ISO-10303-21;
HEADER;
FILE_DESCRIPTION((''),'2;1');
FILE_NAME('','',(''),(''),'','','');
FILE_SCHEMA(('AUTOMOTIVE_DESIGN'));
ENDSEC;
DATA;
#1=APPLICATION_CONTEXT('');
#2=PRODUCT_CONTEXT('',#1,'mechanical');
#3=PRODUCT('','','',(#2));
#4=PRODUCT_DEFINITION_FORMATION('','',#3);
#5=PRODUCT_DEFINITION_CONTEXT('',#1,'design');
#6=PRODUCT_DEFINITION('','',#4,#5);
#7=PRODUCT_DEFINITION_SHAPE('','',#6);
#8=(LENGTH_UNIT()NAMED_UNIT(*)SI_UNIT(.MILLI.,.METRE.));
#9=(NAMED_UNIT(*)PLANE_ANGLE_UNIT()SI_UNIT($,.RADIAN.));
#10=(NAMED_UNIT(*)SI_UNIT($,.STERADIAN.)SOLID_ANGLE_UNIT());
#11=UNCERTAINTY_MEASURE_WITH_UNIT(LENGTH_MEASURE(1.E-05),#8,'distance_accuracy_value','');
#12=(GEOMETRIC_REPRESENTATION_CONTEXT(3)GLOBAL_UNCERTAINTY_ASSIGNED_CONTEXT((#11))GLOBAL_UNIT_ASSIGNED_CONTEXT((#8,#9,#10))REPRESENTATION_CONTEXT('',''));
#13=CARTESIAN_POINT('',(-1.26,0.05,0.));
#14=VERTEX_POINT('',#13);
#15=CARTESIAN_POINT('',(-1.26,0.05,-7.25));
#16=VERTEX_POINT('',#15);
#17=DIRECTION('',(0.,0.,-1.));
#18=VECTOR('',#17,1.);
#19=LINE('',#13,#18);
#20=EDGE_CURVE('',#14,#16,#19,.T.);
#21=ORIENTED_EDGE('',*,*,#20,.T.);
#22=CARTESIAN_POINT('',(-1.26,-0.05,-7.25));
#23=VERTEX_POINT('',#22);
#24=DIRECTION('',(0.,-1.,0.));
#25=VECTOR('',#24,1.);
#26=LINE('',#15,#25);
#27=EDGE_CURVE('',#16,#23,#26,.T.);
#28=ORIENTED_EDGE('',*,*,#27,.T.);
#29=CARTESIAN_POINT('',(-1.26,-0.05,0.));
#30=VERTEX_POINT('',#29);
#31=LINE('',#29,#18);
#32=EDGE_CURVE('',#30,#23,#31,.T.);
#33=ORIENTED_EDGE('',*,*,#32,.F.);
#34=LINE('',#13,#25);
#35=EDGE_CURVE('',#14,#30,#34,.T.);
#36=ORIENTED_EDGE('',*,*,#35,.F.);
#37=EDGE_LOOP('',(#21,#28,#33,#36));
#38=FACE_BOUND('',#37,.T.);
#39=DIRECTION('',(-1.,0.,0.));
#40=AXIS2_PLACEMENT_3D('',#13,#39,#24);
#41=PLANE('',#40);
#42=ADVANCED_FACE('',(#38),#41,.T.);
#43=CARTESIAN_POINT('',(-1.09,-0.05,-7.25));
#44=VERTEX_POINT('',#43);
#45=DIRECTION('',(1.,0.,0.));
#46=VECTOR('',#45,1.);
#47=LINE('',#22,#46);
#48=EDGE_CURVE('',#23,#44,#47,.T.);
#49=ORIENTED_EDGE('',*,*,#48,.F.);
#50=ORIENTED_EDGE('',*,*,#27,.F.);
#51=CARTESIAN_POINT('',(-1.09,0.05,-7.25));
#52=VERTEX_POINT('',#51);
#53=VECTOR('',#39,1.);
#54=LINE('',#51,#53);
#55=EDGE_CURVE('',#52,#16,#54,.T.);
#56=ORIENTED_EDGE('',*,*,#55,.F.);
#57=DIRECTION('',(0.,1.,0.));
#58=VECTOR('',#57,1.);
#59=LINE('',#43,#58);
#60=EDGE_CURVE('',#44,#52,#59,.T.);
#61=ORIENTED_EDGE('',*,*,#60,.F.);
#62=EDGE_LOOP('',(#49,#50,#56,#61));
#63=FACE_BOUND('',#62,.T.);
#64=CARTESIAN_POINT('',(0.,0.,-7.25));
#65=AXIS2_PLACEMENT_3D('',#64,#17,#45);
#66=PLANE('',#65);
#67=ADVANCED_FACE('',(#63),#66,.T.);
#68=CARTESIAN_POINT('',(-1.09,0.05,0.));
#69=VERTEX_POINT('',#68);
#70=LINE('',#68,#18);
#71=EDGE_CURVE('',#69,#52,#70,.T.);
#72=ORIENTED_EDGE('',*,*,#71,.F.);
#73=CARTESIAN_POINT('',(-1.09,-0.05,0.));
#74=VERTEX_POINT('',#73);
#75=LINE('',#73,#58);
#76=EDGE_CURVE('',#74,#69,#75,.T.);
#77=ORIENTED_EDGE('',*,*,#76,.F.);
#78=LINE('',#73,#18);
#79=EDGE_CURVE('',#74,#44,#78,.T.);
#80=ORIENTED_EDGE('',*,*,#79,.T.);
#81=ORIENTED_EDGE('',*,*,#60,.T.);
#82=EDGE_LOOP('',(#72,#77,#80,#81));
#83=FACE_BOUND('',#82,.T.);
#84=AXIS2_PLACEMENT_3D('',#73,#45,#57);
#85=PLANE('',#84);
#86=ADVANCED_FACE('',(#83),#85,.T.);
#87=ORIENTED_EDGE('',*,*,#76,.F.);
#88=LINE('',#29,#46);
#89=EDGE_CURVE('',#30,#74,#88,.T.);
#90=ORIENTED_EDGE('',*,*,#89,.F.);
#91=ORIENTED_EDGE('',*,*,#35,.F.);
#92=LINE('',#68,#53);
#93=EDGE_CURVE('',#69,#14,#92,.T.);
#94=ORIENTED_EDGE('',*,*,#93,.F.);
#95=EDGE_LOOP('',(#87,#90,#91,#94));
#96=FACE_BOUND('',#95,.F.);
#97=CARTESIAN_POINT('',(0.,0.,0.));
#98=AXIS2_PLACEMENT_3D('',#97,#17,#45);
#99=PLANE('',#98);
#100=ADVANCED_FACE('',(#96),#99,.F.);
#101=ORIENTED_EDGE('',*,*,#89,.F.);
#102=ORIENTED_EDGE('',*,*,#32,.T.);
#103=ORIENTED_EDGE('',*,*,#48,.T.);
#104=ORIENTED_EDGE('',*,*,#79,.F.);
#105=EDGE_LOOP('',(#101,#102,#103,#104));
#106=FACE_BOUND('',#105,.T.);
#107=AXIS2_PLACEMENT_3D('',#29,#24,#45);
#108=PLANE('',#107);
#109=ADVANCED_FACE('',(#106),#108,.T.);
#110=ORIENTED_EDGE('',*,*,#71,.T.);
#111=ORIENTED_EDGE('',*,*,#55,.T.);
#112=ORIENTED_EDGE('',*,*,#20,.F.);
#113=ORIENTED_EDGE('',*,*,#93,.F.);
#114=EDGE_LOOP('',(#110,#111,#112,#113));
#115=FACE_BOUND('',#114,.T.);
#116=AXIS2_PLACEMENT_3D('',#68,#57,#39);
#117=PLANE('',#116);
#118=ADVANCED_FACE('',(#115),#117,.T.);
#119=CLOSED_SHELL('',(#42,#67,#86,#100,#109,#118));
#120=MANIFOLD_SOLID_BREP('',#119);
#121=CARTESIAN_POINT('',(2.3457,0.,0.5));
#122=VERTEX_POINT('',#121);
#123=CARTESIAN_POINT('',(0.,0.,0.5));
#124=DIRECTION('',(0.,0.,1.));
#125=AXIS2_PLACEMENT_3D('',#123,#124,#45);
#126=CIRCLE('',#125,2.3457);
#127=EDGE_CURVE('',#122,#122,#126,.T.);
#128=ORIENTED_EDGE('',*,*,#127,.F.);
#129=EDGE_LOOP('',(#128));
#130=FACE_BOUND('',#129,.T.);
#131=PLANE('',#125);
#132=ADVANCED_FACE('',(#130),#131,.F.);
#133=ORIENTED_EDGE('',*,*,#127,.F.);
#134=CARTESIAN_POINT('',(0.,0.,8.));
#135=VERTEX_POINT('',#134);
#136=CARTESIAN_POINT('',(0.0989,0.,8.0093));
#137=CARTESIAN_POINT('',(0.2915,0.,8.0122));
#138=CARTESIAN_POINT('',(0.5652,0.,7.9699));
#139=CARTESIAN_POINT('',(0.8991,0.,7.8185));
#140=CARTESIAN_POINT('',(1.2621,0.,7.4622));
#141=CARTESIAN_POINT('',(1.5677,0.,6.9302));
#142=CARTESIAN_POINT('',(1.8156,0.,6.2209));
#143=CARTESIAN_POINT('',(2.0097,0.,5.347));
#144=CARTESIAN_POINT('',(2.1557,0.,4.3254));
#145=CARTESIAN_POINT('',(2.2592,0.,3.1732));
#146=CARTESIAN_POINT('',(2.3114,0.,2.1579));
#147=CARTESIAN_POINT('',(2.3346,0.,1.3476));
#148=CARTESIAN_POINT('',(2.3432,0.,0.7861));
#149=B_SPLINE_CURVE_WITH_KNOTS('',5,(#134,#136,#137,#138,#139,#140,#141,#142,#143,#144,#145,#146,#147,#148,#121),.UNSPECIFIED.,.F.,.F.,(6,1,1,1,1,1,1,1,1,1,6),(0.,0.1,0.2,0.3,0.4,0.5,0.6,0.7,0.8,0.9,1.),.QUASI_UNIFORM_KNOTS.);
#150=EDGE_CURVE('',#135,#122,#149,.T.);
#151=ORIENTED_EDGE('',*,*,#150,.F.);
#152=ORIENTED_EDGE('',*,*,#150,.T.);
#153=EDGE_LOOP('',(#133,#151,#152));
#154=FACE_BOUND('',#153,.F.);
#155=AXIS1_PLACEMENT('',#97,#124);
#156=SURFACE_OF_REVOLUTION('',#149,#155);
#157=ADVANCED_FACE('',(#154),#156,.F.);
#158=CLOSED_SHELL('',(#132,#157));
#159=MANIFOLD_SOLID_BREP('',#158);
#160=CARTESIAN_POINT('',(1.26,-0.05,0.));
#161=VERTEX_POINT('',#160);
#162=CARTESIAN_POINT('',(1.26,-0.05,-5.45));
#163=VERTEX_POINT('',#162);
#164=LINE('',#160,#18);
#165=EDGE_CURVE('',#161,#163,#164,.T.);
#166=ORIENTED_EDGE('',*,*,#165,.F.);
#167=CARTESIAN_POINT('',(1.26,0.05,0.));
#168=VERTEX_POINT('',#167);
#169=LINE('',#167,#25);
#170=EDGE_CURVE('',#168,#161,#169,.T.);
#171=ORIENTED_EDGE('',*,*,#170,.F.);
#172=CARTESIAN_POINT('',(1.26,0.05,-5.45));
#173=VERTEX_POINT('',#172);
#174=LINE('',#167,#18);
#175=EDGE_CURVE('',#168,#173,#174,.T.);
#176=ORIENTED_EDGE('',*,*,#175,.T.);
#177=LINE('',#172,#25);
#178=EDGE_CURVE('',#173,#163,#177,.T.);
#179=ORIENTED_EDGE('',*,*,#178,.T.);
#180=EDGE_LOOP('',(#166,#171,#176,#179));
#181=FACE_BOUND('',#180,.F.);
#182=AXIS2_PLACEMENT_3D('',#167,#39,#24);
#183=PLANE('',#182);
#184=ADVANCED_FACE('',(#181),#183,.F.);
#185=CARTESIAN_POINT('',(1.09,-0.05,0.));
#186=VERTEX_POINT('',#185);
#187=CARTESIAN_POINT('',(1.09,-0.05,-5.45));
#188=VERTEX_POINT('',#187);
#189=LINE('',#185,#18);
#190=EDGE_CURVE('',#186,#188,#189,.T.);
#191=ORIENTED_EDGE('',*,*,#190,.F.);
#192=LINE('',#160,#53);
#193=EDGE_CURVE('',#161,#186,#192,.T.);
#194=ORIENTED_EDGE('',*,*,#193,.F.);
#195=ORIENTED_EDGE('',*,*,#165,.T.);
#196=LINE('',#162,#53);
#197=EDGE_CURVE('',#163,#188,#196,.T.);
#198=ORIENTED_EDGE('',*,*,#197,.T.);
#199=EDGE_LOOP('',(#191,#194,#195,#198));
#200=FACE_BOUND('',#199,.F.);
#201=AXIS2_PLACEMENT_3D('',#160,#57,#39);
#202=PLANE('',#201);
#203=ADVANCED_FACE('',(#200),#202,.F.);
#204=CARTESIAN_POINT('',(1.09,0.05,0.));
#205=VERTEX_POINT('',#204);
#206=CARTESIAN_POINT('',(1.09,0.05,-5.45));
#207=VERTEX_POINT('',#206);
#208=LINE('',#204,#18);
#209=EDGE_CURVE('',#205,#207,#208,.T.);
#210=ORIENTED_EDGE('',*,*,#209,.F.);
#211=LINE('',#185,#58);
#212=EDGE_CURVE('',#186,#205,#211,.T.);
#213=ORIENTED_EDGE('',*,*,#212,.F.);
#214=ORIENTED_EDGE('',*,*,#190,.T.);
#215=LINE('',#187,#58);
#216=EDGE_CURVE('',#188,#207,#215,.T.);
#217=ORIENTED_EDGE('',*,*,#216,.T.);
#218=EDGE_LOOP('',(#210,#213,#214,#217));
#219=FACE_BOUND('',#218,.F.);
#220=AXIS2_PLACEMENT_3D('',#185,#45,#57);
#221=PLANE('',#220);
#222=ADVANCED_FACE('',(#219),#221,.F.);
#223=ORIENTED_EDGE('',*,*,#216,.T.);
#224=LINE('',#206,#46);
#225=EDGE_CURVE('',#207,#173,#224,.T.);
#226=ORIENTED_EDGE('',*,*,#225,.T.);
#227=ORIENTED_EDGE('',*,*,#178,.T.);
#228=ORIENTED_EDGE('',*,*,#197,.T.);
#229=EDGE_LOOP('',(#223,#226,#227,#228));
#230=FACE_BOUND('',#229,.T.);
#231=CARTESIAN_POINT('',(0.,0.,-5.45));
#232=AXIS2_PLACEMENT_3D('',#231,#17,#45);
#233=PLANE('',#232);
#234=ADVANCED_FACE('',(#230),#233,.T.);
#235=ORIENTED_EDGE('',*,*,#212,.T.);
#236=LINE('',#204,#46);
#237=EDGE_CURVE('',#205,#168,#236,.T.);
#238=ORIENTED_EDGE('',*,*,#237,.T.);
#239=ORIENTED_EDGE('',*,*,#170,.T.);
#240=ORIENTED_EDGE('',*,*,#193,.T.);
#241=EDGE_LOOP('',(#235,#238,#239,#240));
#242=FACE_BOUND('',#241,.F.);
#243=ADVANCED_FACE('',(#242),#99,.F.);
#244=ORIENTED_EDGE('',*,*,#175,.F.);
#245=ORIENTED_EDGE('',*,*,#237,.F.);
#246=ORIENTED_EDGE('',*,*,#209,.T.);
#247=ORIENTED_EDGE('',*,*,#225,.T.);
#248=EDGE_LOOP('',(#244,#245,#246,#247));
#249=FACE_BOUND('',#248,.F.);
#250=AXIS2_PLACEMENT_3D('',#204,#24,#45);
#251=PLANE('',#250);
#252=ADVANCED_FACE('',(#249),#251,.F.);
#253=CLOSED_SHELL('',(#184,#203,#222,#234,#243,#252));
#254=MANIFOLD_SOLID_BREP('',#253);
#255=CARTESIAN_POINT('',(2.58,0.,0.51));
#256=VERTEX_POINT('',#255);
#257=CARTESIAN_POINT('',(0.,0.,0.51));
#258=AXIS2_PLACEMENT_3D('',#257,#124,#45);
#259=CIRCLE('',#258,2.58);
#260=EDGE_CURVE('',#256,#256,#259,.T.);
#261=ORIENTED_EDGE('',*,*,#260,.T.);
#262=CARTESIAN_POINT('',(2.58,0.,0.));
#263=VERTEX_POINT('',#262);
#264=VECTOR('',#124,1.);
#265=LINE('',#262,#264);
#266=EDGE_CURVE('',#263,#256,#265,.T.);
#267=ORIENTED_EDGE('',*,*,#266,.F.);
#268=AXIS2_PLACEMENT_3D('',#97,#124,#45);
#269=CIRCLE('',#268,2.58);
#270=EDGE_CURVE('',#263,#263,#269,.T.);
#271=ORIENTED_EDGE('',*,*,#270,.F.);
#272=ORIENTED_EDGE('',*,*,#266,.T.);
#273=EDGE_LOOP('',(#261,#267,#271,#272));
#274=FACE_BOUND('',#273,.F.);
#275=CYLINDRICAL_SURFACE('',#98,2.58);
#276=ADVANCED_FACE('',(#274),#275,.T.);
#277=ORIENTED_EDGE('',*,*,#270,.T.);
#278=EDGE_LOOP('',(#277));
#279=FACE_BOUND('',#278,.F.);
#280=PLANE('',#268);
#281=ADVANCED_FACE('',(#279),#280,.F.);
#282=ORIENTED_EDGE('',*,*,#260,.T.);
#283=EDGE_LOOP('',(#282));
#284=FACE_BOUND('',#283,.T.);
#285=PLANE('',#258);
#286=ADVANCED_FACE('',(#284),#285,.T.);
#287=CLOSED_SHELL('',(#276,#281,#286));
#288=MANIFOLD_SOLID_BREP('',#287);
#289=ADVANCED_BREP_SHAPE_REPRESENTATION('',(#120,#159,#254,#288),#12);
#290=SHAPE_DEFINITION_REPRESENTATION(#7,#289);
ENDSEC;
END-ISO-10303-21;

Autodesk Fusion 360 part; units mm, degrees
sketch "Sketch1" plane through (0, 0, 0) normal (0, 1, 0) x (1, 0, 0)
  line L0 (0, 0) -> (0, -8.06)
  line L1 (0, 0) -> (0, -0.51)
  dimension "d1" = 8.06
  dimension "d2" = 0.51
sketch "Sketch2" plane through (0, 0, 0) normal (0, 0, 1) x (1, 0, 0)
  circle A0 centre (0, 0) radius 2.58
  dimension "d3" = 5.16
extrude "Extrude1" add sketch "Sketch2" along normal blind 0.51 makes body 1
sketch "Sketch3" plane through (0, 0, 0) normal (0, 1, 0) x (1, 0, 0)
sketch "Sketch4" plane through (0, 0, 0.51) normal (0, 0, 1) x (-1, 0, 0)
  circle A0 centre (0, 0) radius 2.58
  circle A1 centre (0, 0) radius 2.35
  dimension "d6" = 4.7
sketch "Sketch5" plane through (0, 0, 0) normal (0, 1, 0) x (1, 0, 0)
  line L0 (0, -0.5) -> (2.3457, -0.5)
  line L1 (0, -0.5) -> (0, -8)
  spline S0 degree 5 poles (0, -8) (0.0989, -8.0093) (0.2915, -8.0122) (0.5652, -7.9699) (0.8991, -7.8185) (1.2621, -7.4622) (1.5677, -6.9302) (1.8156, -6.2209) (2.0097, -5.347) (2.1557, -4.3254) (2.2592, -3.1732) (2.3114, -2.1579) (2.3346, -1.3476) (2.3432, -0.7861) (2.3457, -0.5) knots 0 0 0 0 0 0 0.1 0.2 0.3 0.4 0.5 0.6 0.7 0.8 0.9 1 1 1 1 1 1
  point P0 (1.5, -7)
revolve "Revolve1" add sketch "Sketch5" angle 360 about axis through (0, 0, 0) along (0, 0, 1) separate body makes body 2
sketch "Sketch6" plane through (0, 0, 0) normal (0, 0, -1) x (1, 0, 0)
  circle A0 centre (0, 0) radius 2.58
  circle A1 centre (0, 0) radius 2.35
  line L0 (0, 0) -> (0, 0.9) construction
  line L1 (-1.09, -0.05) -> (-1.26, -0.05)
  line L2 (-1.26, -0.05) -> (-1.26, 0.05)
  line L3 (-1.26, 0.05) -> (-1.09, 0.05)
  line L4 (-1.09, 0.05) -> (-1.09, -0.05)
  line L5 (-1.09, -0.05) -> (-1.26, 0.05) construction
  line L6 (-1.26, -0.05) -> (-1.09, 0.05) construction
  line L7 (1.09, 0.05) -> (1.09, -0.05)
  line L8 (1.26, 0.05) -> (1.09, 0.05)
  line L9 (1.26, -0.05) -> (1.26, 0.05)
  line L10 (1.09, -0.05) -> (1.26, -0.05)
  point P0 (-1.175, 0)
  dimension "d9" = 1.175
  dimension "d14" = 0.17
  dimension "d15" = 0.1
extrude "Extrude4" add sketch "Sketch6" along normal blind 5.45 separate body contours L7 L8 L9 L10 makes body 3
extrude "Extrude5" add sketch "Sketch6" along normal blind 7.25 separate body contours L1 L2 L3 L4 makes body 4
equation "d9 = ( 4.7 / 12 * 3 ) * 1 mm"
